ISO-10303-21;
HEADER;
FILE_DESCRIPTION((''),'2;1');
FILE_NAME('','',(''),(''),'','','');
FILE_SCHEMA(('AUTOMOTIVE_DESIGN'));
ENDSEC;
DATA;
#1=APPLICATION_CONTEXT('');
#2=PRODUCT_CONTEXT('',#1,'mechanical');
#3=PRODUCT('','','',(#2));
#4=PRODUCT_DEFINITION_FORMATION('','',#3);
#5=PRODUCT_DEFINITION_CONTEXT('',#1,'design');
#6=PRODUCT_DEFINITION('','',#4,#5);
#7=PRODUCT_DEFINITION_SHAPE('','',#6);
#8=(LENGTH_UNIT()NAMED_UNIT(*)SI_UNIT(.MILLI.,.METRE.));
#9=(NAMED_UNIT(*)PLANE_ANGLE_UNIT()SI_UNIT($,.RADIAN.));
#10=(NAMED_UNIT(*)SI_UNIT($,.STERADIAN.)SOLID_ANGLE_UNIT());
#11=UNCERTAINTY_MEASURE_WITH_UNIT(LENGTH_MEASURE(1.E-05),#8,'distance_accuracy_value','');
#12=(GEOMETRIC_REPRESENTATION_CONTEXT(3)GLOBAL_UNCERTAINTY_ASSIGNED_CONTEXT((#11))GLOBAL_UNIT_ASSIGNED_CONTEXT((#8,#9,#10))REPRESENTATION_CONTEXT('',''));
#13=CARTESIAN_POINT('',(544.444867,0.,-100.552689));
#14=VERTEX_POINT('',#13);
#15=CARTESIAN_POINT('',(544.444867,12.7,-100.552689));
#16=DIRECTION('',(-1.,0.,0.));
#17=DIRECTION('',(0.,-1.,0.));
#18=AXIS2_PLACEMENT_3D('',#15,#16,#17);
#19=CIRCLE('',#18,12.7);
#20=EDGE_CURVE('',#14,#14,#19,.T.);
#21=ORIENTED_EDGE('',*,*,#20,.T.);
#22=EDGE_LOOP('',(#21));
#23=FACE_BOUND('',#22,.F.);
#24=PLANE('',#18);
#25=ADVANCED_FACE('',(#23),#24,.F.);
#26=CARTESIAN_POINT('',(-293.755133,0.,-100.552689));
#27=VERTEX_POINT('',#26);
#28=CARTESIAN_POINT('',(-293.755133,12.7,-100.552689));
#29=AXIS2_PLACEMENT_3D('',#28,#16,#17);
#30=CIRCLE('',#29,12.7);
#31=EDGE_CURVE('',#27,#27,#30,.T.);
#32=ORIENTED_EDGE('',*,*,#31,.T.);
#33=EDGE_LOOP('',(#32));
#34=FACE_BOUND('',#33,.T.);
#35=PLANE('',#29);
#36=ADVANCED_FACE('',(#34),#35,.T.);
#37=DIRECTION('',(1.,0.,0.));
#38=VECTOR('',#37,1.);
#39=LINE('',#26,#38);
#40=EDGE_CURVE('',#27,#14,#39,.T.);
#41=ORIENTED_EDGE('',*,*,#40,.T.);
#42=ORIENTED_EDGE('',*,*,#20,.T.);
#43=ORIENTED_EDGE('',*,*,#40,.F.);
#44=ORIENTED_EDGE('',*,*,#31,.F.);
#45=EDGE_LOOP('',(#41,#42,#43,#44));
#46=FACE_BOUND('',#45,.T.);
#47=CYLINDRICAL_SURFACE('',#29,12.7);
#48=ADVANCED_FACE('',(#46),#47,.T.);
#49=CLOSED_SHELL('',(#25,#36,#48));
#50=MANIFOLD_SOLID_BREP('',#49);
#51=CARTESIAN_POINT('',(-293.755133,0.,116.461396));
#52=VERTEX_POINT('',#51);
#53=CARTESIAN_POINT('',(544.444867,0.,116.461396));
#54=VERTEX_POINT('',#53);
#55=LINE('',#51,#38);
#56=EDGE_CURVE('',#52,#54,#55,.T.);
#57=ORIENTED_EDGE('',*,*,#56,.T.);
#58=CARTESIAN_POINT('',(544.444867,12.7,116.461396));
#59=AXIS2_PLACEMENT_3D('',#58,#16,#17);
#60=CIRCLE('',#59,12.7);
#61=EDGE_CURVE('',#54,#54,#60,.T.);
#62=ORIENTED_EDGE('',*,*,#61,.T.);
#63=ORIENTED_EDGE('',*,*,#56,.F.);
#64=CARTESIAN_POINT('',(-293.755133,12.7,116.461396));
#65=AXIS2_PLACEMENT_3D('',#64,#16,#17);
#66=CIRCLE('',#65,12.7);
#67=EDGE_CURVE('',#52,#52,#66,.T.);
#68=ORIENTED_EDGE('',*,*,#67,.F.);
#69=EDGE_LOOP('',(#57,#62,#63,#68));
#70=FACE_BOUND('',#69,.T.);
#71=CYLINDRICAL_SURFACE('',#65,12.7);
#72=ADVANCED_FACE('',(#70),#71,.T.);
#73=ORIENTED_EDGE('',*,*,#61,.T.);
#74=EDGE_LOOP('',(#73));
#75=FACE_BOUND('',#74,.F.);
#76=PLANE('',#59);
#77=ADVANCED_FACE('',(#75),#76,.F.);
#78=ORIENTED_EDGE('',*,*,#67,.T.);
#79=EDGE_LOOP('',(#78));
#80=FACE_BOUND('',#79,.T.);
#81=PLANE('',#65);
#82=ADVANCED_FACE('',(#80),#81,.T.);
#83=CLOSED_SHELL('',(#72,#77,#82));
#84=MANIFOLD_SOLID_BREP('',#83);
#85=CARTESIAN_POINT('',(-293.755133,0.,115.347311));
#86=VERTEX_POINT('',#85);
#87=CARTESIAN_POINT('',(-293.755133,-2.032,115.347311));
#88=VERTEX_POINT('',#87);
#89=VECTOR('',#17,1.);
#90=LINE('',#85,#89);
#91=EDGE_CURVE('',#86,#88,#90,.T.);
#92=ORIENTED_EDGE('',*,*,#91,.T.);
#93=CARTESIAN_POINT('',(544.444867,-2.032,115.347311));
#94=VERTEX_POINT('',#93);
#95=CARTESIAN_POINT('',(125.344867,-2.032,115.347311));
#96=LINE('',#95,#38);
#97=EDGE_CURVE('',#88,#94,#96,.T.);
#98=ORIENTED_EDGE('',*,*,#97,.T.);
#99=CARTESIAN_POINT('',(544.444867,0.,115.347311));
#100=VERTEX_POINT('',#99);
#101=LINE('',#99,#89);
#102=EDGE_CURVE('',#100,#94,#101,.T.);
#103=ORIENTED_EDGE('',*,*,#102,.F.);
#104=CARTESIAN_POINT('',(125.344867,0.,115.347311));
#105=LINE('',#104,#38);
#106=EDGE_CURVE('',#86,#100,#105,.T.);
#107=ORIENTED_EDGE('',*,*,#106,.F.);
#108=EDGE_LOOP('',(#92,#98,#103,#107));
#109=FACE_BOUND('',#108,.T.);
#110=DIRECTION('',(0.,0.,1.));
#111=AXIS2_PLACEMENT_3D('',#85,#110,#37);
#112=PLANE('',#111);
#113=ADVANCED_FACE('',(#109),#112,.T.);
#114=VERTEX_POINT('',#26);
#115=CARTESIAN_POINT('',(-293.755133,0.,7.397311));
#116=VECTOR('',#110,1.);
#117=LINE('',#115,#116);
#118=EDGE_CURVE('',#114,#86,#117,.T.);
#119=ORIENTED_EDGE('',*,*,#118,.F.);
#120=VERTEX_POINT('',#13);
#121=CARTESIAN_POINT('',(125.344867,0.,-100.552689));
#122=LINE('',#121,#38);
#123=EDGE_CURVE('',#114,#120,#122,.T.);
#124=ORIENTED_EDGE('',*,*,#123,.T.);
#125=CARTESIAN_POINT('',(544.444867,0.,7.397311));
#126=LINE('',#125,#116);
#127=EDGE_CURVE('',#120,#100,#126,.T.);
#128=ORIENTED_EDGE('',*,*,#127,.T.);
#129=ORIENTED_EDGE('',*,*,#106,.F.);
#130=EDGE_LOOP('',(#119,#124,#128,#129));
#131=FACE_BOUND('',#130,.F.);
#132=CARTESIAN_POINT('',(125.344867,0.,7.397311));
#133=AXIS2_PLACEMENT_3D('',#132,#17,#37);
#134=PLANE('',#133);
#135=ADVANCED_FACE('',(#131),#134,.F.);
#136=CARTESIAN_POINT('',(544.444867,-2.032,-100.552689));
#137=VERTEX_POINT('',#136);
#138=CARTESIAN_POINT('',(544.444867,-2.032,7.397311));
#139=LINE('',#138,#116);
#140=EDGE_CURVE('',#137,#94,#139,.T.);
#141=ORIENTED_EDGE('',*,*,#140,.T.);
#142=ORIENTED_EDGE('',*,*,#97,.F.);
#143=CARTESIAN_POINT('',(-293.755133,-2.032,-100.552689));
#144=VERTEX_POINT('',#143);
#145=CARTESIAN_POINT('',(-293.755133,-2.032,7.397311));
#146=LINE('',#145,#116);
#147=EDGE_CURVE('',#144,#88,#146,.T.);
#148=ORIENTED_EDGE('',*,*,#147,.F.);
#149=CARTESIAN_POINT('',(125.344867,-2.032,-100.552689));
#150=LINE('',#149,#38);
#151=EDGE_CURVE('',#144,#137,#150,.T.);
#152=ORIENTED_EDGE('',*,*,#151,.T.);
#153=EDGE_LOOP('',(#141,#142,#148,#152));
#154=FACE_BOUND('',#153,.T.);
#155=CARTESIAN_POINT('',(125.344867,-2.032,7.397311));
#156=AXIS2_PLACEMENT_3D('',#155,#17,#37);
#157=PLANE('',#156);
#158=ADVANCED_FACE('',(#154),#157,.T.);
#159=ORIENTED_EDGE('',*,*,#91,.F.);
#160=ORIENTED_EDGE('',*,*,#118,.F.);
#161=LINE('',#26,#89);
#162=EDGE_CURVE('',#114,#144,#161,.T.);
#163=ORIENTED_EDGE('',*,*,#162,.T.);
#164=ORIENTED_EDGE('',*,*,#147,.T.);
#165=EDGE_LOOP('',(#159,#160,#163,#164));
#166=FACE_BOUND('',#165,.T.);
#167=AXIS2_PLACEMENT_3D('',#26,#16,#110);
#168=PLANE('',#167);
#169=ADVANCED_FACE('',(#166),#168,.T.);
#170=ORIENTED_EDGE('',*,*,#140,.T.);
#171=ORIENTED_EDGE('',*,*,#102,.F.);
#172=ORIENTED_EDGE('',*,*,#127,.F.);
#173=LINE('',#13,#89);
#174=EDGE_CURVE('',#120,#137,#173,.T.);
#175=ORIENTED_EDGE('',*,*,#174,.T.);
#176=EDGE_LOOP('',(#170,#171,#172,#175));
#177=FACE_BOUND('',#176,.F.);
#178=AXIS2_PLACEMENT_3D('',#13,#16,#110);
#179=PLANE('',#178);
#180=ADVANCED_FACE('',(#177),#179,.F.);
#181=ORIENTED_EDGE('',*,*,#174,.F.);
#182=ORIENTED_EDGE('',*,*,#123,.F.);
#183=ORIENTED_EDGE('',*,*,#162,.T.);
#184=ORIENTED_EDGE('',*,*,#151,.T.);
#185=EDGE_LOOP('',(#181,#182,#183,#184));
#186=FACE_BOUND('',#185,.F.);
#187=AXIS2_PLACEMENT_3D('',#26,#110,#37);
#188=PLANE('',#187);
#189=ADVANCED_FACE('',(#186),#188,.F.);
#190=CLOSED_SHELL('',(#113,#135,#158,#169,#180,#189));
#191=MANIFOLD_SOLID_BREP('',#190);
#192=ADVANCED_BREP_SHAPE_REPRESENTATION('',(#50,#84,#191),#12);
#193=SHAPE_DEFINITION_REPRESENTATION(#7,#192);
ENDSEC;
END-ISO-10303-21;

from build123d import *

# Parameters (mm, degrees)
F0_W     = 838.2
F0_H     = 215.9
F1_DEPTH = 2.032
F2_R     = 12.7
F3_DEPTH = 838.2


with BuildPart() as f1:
    # F0 (on Front) → F1 (new body)
    with BuildSketch(Plane.XZ):
        with Locations((125.344867, 7.397311)):
            Rectangle(F0_W, F0_H)
    extrude(amount=F1_DEPTH)


with BuildPart() as f3:
    # F2 (on face) → F3 (new body)
    with BuildSketch(Plane(origin=(-293.755133, 0, 0), x_dir=(0, -1, 0), z_dir=(-1, 0, 0))):
        with Locations((-12.7, -100.552689)):
            Circle(F2_R)
        with Locations((-12.7, 116.461396)):
            Circle(F2_R)
    extrude(amount=-F3_DEPTH)


solid = Compound([f1.part, f3.part])
